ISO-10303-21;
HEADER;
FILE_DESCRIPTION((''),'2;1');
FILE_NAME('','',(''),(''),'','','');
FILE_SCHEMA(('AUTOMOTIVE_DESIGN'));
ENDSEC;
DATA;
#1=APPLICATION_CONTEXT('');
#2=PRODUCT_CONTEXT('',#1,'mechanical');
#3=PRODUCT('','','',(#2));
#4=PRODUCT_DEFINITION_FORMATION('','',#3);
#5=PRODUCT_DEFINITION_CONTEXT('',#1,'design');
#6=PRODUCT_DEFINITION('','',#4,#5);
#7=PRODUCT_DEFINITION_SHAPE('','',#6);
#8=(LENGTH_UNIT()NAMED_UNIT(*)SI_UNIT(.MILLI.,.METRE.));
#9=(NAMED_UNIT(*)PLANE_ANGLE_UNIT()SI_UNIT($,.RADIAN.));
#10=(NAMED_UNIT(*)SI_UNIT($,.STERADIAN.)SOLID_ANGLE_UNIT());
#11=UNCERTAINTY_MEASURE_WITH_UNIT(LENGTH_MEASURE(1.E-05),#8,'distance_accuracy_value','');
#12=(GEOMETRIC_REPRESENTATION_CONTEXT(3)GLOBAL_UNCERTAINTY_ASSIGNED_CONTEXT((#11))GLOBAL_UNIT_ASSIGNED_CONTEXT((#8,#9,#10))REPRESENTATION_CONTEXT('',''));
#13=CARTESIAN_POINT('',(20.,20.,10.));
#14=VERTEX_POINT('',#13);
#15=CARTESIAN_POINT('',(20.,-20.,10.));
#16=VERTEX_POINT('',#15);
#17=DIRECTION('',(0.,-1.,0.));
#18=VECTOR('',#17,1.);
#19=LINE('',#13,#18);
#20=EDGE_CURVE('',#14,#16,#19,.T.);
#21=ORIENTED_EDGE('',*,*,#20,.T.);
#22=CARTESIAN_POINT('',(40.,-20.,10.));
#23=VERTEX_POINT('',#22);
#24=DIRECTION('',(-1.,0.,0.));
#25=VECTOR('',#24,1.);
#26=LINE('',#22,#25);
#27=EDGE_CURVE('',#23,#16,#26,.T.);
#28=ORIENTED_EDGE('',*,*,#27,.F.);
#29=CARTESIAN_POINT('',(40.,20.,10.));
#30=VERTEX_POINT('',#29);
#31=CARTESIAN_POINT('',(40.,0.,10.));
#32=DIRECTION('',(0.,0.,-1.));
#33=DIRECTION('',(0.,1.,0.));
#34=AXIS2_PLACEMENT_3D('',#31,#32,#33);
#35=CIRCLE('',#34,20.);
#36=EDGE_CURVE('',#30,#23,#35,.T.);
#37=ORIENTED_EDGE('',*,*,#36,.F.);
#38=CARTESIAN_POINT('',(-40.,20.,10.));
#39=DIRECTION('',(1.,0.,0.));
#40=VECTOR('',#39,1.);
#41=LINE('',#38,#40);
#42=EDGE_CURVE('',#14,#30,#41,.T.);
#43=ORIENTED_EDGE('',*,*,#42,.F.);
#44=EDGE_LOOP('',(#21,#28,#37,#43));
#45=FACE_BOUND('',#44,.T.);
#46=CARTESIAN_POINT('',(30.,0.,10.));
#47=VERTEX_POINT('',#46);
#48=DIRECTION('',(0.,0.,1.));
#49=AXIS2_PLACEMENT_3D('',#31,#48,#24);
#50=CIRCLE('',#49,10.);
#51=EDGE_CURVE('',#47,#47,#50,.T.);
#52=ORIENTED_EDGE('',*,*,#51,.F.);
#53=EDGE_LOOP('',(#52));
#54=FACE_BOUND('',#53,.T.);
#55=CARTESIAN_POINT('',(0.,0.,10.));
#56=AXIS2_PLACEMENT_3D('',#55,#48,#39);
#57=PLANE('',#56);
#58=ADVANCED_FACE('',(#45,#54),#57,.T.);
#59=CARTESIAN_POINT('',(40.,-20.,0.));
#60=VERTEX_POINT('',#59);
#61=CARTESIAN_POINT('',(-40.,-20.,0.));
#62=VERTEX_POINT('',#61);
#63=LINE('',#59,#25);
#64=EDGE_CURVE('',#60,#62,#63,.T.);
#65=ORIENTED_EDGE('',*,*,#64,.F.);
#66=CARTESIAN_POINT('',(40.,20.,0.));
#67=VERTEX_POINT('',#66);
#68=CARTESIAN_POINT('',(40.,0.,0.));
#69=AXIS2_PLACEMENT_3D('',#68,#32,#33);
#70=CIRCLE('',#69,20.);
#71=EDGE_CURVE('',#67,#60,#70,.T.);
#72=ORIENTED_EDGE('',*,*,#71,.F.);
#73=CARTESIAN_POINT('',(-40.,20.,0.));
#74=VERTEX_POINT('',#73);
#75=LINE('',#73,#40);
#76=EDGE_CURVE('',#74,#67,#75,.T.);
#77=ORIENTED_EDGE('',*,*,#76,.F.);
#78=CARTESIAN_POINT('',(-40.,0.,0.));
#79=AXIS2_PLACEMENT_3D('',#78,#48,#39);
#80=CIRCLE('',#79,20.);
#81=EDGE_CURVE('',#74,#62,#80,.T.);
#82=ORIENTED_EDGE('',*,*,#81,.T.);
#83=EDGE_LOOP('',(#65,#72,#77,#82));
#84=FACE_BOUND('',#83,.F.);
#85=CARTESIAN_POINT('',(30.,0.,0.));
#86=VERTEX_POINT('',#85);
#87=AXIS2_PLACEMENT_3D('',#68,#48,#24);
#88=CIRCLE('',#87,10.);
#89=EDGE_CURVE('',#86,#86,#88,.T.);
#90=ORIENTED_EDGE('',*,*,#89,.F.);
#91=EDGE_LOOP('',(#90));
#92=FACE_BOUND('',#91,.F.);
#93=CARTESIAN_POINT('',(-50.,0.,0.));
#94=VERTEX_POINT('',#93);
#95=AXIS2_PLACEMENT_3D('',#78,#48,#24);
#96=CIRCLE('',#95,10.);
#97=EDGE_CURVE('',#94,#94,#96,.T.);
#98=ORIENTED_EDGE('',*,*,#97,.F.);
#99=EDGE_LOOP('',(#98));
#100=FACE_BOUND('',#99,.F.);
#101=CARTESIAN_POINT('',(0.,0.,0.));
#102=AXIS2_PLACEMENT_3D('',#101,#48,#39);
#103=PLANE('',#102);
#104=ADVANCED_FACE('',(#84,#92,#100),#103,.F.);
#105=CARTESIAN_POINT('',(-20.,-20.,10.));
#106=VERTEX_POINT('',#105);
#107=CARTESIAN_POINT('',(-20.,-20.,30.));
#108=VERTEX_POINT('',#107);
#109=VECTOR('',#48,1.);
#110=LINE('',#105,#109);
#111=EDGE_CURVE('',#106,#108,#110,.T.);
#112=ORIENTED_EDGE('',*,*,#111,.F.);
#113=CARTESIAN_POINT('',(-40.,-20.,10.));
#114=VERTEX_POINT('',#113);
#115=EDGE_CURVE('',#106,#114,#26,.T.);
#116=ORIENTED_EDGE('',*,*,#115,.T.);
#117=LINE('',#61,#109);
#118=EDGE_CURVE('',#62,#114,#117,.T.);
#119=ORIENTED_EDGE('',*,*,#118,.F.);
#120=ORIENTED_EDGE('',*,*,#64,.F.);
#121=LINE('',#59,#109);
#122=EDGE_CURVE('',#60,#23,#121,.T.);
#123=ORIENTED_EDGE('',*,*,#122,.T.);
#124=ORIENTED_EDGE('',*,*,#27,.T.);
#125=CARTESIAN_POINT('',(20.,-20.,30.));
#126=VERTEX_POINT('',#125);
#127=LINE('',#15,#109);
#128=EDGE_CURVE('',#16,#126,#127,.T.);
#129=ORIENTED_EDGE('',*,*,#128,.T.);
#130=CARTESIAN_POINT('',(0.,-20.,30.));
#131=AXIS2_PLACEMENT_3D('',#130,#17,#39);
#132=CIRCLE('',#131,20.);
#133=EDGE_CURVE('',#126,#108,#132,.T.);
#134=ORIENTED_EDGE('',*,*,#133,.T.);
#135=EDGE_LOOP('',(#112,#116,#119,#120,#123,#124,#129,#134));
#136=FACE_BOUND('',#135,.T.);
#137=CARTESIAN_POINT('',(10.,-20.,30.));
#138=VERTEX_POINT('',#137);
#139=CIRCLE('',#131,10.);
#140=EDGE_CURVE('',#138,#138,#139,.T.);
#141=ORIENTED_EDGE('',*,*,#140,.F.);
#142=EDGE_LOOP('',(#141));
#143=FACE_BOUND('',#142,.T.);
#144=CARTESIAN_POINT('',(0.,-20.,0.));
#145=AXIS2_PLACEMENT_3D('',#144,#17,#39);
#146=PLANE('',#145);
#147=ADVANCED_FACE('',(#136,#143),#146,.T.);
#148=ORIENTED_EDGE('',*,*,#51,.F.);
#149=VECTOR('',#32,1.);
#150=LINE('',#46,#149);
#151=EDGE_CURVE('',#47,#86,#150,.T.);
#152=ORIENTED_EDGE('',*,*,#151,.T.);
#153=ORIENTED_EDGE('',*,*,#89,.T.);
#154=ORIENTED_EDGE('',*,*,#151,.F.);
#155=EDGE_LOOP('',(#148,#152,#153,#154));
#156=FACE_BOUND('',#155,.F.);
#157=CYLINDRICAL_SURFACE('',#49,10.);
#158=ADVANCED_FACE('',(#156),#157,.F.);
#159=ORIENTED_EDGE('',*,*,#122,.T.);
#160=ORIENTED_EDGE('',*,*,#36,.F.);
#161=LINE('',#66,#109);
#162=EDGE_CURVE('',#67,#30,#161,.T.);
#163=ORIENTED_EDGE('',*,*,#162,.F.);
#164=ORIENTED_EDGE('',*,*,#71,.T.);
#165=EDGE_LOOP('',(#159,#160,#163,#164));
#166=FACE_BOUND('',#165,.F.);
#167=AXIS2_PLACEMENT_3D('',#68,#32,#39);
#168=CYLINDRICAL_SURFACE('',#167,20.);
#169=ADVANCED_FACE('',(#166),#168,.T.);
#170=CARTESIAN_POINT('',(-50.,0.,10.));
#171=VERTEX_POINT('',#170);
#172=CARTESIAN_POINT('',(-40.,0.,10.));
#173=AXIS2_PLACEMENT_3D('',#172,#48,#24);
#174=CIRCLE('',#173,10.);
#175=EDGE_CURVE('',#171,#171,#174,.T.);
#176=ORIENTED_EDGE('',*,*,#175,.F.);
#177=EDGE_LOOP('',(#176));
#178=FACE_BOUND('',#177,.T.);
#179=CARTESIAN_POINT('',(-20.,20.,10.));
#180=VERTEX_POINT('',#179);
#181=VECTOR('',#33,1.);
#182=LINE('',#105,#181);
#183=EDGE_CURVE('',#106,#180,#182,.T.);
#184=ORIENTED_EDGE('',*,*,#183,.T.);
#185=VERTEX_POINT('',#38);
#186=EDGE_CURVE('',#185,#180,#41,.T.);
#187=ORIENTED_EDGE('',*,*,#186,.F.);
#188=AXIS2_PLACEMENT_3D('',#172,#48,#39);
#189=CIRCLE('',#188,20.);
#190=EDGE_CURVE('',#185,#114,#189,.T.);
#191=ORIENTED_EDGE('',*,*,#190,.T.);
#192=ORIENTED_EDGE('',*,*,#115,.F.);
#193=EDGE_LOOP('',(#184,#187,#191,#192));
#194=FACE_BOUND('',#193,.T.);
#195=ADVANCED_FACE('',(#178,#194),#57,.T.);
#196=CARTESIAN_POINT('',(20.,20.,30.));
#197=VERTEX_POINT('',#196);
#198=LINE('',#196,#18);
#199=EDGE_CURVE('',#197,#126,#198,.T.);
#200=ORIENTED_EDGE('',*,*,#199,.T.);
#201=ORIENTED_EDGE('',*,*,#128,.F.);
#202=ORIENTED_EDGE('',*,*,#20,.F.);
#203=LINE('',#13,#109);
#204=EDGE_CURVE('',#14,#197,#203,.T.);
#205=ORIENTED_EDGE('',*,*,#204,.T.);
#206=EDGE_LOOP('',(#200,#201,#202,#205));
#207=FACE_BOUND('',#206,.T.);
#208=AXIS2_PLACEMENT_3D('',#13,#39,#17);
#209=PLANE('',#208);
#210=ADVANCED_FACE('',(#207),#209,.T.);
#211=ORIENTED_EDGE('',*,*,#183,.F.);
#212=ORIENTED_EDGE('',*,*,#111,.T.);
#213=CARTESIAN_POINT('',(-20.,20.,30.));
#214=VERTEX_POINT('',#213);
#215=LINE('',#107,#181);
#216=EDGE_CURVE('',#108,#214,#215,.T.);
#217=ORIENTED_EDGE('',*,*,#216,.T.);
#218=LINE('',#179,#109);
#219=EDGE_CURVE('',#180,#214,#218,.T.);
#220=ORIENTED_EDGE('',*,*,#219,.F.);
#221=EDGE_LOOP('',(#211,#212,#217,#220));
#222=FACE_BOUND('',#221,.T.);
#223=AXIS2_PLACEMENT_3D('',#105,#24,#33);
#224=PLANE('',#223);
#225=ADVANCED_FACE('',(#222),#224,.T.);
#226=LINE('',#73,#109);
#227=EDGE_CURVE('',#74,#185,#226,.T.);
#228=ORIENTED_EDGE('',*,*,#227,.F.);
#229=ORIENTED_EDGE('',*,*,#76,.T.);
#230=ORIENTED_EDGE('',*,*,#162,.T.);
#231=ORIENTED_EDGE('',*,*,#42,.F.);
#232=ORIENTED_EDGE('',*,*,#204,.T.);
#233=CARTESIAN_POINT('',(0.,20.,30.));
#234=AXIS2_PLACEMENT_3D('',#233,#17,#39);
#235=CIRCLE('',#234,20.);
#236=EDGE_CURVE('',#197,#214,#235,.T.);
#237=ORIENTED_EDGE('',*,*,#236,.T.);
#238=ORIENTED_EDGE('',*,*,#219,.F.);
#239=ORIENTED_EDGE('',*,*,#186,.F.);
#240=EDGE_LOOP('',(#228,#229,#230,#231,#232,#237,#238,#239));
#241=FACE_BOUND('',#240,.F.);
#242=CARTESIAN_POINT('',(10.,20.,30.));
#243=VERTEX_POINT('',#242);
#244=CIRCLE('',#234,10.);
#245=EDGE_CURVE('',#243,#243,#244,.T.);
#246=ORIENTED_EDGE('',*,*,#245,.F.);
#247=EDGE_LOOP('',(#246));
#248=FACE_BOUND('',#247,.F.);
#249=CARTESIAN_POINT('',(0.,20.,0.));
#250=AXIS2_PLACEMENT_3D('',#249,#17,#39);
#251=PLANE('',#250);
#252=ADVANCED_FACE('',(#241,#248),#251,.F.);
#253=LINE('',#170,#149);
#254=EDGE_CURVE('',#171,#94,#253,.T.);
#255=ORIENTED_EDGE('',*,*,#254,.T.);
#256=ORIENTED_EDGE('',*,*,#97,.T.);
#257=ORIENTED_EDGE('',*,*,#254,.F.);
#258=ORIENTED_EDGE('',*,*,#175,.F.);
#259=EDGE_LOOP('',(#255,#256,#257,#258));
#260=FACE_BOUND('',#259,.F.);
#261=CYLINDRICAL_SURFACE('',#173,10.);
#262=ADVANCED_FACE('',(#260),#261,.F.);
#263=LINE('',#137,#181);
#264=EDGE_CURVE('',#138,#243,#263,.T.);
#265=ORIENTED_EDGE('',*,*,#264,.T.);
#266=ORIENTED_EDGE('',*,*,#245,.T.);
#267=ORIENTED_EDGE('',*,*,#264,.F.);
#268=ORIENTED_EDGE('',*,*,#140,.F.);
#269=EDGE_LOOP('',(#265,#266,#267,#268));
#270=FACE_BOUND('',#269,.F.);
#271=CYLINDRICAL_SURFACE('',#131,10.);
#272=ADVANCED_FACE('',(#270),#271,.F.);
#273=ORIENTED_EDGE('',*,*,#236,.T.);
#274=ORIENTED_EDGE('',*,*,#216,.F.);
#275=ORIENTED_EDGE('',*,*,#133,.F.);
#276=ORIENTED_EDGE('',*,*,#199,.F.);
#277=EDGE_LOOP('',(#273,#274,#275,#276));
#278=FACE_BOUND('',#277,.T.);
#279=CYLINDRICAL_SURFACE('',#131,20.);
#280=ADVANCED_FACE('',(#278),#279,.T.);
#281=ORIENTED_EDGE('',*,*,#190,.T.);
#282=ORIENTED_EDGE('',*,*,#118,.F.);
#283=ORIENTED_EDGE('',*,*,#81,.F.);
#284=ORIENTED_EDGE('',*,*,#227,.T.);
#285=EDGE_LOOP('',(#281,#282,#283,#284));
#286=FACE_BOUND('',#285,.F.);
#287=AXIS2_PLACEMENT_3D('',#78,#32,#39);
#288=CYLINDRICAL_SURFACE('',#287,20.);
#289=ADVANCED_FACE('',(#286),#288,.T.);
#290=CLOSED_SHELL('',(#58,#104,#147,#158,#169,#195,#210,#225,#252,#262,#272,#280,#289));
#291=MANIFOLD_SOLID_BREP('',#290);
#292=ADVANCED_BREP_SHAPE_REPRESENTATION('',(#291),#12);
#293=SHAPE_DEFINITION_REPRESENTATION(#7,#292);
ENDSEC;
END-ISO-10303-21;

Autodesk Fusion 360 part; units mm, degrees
sketch "Sketch4" plane through (0, 0, 0) normal (0, 0, 1) x (1, 0, 0)
  line L0 (40, -20) -> (-40, -20)
  line L1 (-40, -20) -> (-40, 20)
  line L2 (-40, 20) -> (40, 20)
  line L3 (40, 20) -> (40, -20)
  line L4 (40, -20) -> (-40, 20) construction
  line L5 (-40, -20) -> (40, 20) construction
  circle A0 centre (40, 0) radius 20
  circle A1 centre (-40, 0) radius 20
  line L6 (-40, 20) -> (-20, 20)
  line L7 (-20, 20) -> (-20, -20)
  line L8 (-20, 20) -> (20, 20)
  line L9 (20, 20) -> (20, -20)
  dimension "d15" = 80
  dimension "d16" = 40
  dimension "d19" = 40
  dimension "d20" = 40
  dimension "d29" = 20
  dimension "d30" = 40
extrude "Extrude3" add sketch "Sketch4" along normal blind 10
sketch "Sketch5" plane through (0, 0, 10) normal (0, 0, 1) x (-1, 0, 0)
  arc A0 (40, -20) -> (40, 20) centre (40, 0) ccw
  line L0 (40, 20) -> (-40, 20)
  arc A1 (-40, 20) -> (-40, -20) centre (-40, 0) ccw
  line L1 (-40, -20) -> (40, -20)
  circle A2 centre (40, 0) radius 10
  circle A3 centre (-40, 0) radius 10
  dimension "d23" = 20
  dimension "d24" = 20
extrude "Extrude4" cut sketch "Sketch5" against normal blind 10 contours A2
extrude "Extrude5" cut sketch "Sketch5" against normal blind 10 contours A3
sketch "Sketch7" plane through (0, 0, 10) normal (0, 0, 1) x (-1, 0, 0)
  line L0 (-20, 20) -> (20, 20)
  line L1 (20, 20) -> (20, -20)
  line L2 (20, -20) -> (-20, -20)
  line L3 (-20, -20) -> (-20, 20)
  dimension "d33" = 40
  dimension "d34" = 40
extrude "Extrude6" add sketch "Sketch7" along normal blind 20
sketch "Sketch8" plane through (0, -20, 0) normal (0, -1, 0) x (1, 0, 0)
  line L0 (-40, 0) -> (40, 0)
  line L1 (40, 0) -> (40, 10)
  line L2 (40, 10) -> (20, 10)
  line L3 (20, 10) -> (20, 30)
  line L4 (20, 30) -> (-20, 30)
  line L5 (-20, 30) -> (-20, 10)
  line L6 (-20, 10) -> (-40, 10)
  line L7 (-40, 10) -> (-40, 0)
  circle A0 centre (0, 30) radius 20
  dimension "d37" = 40
extrude "Extrude7" add sketch "Sketch8" against normal blind 40 contours L4 A0 picked at (4.1566, 35.2122)
sketch "Sketch9" plane through (0, -20, 0) normal (0, -1, 0) x (1, 0, 0)
  circle A0 centre (0, 30) radius 10
  dimension "d40" = 20
extrude "Extrude8" cut sketch "Sketch9" against normal blind 40
